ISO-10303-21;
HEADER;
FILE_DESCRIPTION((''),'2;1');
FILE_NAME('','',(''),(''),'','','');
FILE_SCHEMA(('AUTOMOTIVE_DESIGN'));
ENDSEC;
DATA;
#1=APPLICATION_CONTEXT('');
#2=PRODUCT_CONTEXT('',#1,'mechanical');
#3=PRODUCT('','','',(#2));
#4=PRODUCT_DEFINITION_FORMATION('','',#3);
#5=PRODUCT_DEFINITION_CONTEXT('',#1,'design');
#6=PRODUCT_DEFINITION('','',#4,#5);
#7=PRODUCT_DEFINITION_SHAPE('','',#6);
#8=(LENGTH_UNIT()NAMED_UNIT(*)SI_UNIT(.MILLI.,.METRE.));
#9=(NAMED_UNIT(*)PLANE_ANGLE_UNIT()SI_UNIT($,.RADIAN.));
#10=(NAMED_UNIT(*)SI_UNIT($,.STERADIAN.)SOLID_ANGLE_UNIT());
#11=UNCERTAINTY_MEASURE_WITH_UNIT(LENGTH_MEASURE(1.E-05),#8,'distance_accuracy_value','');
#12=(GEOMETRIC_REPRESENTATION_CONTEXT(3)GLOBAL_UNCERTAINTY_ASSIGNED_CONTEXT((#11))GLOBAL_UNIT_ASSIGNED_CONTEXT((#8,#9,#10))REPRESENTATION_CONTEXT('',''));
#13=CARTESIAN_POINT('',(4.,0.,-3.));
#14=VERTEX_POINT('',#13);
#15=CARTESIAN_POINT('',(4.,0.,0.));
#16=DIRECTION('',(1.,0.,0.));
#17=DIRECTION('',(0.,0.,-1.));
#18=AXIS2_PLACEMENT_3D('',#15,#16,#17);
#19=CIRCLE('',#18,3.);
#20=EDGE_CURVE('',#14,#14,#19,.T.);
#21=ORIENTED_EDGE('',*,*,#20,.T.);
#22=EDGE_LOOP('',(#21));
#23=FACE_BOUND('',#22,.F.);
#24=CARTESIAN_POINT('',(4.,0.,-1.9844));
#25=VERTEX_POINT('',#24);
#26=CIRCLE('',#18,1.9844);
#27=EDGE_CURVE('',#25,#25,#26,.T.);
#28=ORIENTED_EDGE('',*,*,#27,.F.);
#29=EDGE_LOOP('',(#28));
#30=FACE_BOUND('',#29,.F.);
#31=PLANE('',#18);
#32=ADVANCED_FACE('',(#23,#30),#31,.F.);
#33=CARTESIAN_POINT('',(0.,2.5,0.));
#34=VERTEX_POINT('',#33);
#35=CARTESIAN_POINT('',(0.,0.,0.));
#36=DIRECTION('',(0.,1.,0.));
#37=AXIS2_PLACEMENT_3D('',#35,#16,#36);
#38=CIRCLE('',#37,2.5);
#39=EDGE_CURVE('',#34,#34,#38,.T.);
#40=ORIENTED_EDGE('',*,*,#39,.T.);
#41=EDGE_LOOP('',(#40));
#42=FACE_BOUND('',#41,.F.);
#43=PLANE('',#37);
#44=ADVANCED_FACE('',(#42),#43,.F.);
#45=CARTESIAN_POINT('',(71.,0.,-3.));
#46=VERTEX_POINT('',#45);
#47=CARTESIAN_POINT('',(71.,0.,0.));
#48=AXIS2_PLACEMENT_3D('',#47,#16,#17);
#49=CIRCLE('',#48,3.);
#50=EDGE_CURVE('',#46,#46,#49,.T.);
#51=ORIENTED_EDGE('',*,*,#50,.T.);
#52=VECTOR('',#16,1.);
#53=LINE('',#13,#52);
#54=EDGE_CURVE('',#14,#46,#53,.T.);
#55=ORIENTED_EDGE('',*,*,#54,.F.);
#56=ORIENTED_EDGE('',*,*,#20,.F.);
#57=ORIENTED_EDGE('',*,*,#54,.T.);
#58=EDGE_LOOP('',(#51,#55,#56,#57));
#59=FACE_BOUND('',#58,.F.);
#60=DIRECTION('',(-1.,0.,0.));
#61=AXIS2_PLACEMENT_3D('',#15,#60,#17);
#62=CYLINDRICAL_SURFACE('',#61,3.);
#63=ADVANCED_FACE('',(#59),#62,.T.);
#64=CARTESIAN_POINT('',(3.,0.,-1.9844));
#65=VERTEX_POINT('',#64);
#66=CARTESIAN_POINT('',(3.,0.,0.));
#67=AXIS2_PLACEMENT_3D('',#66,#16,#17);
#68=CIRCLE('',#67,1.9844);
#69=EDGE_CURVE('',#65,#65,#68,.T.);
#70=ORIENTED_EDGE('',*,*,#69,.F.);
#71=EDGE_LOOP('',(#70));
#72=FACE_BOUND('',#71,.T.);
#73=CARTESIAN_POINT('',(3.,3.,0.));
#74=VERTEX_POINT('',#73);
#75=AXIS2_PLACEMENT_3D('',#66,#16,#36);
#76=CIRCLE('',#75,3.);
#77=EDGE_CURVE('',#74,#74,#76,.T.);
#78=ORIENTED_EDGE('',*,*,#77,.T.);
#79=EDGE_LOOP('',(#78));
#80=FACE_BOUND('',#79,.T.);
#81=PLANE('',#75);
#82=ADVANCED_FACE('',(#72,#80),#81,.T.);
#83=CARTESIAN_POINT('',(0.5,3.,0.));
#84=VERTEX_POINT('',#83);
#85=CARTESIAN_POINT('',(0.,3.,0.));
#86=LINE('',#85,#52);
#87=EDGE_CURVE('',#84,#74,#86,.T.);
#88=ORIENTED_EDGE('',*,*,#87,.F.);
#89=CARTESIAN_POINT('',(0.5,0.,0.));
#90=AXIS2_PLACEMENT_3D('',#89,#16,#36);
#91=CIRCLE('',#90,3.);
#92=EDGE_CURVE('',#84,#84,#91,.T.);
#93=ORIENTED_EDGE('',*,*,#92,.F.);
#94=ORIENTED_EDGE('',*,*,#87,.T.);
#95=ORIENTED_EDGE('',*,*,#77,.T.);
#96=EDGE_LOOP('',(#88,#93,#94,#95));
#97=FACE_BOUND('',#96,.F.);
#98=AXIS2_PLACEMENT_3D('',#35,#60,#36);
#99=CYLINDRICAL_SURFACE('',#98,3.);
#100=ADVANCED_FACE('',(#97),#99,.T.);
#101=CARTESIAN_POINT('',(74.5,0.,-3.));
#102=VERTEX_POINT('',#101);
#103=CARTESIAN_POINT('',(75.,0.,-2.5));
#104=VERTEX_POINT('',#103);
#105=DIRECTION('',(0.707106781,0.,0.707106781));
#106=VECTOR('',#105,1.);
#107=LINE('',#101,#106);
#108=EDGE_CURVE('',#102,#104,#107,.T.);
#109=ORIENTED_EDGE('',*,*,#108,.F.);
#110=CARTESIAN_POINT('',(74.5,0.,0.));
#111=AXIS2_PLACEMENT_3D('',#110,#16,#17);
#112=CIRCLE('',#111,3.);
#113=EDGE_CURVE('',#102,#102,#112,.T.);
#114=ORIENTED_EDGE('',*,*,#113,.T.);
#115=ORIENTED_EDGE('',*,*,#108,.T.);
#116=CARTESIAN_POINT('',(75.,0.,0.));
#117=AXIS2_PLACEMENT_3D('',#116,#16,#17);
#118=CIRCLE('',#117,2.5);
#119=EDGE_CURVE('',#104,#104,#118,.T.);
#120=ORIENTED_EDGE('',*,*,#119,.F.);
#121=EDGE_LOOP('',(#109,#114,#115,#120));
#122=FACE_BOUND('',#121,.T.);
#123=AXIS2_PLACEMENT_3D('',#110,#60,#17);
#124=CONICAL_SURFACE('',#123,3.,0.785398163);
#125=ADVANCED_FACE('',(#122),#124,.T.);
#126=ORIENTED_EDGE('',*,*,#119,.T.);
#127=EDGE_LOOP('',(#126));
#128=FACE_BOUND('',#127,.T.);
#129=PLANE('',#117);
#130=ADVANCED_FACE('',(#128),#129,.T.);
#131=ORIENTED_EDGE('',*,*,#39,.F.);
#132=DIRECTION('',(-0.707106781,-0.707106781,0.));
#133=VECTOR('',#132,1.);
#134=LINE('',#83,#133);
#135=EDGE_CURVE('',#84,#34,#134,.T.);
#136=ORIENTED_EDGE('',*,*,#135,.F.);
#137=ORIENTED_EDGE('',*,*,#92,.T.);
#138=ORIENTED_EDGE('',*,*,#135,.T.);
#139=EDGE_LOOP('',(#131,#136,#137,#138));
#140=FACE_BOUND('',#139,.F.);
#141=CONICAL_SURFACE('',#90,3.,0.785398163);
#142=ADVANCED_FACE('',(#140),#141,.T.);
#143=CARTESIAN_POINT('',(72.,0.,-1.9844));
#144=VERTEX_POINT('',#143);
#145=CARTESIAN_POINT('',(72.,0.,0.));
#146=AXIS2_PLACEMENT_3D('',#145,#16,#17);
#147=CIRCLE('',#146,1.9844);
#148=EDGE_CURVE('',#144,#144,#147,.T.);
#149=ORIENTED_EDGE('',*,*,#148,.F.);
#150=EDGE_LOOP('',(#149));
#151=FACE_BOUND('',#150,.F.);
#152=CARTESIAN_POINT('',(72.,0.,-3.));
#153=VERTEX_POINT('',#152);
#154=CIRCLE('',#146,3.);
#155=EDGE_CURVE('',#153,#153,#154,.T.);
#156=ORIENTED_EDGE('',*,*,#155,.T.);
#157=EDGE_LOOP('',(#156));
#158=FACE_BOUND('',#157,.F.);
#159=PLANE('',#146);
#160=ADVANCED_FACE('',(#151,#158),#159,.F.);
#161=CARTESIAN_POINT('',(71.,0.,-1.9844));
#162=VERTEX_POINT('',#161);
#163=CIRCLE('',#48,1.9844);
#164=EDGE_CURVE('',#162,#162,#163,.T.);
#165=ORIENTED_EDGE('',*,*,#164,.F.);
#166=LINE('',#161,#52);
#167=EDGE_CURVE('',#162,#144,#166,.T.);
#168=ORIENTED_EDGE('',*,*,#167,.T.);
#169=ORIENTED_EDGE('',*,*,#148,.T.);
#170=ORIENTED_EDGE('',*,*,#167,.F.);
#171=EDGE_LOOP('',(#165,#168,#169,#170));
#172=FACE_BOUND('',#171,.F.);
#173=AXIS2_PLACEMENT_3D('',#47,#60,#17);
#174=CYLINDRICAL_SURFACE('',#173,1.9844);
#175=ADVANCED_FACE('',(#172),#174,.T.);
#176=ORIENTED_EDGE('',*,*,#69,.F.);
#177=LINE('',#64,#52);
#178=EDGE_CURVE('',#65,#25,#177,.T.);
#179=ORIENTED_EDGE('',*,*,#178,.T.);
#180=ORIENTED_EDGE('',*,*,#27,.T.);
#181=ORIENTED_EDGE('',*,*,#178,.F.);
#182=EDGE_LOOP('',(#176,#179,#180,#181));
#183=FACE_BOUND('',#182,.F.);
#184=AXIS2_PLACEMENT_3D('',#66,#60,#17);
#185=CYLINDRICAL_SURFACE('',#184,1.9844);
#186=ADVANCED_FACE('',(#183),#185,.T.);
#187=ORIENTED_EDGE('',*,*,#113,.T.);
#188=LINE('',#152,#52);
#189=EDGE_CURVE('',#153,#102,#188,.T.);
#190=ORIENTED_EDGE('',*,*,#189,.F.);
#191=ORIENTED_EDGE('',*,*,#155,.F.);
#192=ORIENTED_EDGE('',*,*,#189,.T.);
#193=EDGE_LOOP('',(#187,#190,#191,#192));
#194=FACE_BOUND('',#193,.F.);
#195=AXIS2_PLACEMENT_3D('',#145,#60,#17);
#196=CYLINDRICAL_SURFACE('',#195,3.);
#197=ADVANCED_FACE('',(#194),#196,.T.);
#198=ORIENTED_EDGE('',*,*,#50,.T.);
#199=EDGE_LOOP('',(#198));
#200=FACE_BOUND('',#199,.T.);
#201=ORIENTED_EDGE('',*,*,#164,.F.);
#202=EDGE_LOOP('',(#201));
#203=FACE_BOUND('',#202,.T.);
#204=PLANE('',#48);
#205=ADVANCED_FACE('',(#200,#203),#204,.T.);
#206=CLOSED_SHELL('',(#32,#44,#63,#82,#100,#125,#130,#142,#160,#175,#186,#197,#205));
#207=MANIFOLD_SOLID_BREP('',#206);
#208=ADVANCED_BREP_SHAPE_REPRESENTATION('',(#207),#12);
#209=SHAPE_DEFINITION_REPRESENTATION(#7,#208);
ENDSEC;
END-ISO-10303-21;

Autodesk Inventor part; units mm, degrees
ref_plane "YZ Plane" through (0, 0, 0) normal (1, 0, 0) x (0, 1, 0)
ref_plane "XZ Plane" through (0, 0, 0) normal (0, 1, 0) x (-1, 0, 0)
ref_plane "XY Plane" through (0, 0, 0) normal (0, 0, 1) x (1, 0, 0)
sketch "Esboço2" plane through (0, 0, 0) normal (1, 0, 0) x (0, 1, 0)
  circle A0 centre (0, 0) radius 3
  dimension "d0" = 6
extrude "Extrusão1" add sketch "Esboço2" along normal blind 3
sketch "Esboço3" plane through (3, 0, 0) normal (1, 0, 0) x (0, 0, -1)
  circle A0 centre (0, 0) radius 3 projected
  circle A1 centre (0, 0) radius 1.9844
  dimension "d3" = 3.9688
extrude "Extrusão2" add sketch "Esboço3" along normal blind 1 contours A1
sketch "Esboço4" plane through (4, 0, 0) normal (1, 0, 0) x (0, 0, -1)
  circle A0 centre (0, 0) radius 1.9844 projected
  circle A1 centre (0, 0) radius 3
  dimension "d6" = 6
extrude "Extrusão3" add sketch "Esboço4" along normal blind 67 contours A0 | A1
sketch "Esboço5" plane through (71, 0, 0) normal (1, 0, 0) x (0, 0, -1)
  circle A0 centre (0, 0) radius 3 projected
  circle A1 centre (0, 0) radius 1.9844
  dimension "d9" = 3.9688
extrude "Extrusão4" add sketch "Esboço5" along normal blind 1 contours A1
sketch "Esboço6" plane through (72, 0, 0) normal (1, 0, 0) x (0, 0, -1)
  circle A0 centre (0, 0) radius 1.9844 projected
  circle A1 centre (0, 0) radius 3
  dimension "d12" = 6
extrude "Extrusão5" add sketch "Esboço6" along normal blind 3 contours A0 | A1
chamfer "Chanfro1" distance 0.5 angle 45 2 edges at (0, -3, 0) (75, 0, 3)
properties part number "pino_a3" material "Aço carbono"
